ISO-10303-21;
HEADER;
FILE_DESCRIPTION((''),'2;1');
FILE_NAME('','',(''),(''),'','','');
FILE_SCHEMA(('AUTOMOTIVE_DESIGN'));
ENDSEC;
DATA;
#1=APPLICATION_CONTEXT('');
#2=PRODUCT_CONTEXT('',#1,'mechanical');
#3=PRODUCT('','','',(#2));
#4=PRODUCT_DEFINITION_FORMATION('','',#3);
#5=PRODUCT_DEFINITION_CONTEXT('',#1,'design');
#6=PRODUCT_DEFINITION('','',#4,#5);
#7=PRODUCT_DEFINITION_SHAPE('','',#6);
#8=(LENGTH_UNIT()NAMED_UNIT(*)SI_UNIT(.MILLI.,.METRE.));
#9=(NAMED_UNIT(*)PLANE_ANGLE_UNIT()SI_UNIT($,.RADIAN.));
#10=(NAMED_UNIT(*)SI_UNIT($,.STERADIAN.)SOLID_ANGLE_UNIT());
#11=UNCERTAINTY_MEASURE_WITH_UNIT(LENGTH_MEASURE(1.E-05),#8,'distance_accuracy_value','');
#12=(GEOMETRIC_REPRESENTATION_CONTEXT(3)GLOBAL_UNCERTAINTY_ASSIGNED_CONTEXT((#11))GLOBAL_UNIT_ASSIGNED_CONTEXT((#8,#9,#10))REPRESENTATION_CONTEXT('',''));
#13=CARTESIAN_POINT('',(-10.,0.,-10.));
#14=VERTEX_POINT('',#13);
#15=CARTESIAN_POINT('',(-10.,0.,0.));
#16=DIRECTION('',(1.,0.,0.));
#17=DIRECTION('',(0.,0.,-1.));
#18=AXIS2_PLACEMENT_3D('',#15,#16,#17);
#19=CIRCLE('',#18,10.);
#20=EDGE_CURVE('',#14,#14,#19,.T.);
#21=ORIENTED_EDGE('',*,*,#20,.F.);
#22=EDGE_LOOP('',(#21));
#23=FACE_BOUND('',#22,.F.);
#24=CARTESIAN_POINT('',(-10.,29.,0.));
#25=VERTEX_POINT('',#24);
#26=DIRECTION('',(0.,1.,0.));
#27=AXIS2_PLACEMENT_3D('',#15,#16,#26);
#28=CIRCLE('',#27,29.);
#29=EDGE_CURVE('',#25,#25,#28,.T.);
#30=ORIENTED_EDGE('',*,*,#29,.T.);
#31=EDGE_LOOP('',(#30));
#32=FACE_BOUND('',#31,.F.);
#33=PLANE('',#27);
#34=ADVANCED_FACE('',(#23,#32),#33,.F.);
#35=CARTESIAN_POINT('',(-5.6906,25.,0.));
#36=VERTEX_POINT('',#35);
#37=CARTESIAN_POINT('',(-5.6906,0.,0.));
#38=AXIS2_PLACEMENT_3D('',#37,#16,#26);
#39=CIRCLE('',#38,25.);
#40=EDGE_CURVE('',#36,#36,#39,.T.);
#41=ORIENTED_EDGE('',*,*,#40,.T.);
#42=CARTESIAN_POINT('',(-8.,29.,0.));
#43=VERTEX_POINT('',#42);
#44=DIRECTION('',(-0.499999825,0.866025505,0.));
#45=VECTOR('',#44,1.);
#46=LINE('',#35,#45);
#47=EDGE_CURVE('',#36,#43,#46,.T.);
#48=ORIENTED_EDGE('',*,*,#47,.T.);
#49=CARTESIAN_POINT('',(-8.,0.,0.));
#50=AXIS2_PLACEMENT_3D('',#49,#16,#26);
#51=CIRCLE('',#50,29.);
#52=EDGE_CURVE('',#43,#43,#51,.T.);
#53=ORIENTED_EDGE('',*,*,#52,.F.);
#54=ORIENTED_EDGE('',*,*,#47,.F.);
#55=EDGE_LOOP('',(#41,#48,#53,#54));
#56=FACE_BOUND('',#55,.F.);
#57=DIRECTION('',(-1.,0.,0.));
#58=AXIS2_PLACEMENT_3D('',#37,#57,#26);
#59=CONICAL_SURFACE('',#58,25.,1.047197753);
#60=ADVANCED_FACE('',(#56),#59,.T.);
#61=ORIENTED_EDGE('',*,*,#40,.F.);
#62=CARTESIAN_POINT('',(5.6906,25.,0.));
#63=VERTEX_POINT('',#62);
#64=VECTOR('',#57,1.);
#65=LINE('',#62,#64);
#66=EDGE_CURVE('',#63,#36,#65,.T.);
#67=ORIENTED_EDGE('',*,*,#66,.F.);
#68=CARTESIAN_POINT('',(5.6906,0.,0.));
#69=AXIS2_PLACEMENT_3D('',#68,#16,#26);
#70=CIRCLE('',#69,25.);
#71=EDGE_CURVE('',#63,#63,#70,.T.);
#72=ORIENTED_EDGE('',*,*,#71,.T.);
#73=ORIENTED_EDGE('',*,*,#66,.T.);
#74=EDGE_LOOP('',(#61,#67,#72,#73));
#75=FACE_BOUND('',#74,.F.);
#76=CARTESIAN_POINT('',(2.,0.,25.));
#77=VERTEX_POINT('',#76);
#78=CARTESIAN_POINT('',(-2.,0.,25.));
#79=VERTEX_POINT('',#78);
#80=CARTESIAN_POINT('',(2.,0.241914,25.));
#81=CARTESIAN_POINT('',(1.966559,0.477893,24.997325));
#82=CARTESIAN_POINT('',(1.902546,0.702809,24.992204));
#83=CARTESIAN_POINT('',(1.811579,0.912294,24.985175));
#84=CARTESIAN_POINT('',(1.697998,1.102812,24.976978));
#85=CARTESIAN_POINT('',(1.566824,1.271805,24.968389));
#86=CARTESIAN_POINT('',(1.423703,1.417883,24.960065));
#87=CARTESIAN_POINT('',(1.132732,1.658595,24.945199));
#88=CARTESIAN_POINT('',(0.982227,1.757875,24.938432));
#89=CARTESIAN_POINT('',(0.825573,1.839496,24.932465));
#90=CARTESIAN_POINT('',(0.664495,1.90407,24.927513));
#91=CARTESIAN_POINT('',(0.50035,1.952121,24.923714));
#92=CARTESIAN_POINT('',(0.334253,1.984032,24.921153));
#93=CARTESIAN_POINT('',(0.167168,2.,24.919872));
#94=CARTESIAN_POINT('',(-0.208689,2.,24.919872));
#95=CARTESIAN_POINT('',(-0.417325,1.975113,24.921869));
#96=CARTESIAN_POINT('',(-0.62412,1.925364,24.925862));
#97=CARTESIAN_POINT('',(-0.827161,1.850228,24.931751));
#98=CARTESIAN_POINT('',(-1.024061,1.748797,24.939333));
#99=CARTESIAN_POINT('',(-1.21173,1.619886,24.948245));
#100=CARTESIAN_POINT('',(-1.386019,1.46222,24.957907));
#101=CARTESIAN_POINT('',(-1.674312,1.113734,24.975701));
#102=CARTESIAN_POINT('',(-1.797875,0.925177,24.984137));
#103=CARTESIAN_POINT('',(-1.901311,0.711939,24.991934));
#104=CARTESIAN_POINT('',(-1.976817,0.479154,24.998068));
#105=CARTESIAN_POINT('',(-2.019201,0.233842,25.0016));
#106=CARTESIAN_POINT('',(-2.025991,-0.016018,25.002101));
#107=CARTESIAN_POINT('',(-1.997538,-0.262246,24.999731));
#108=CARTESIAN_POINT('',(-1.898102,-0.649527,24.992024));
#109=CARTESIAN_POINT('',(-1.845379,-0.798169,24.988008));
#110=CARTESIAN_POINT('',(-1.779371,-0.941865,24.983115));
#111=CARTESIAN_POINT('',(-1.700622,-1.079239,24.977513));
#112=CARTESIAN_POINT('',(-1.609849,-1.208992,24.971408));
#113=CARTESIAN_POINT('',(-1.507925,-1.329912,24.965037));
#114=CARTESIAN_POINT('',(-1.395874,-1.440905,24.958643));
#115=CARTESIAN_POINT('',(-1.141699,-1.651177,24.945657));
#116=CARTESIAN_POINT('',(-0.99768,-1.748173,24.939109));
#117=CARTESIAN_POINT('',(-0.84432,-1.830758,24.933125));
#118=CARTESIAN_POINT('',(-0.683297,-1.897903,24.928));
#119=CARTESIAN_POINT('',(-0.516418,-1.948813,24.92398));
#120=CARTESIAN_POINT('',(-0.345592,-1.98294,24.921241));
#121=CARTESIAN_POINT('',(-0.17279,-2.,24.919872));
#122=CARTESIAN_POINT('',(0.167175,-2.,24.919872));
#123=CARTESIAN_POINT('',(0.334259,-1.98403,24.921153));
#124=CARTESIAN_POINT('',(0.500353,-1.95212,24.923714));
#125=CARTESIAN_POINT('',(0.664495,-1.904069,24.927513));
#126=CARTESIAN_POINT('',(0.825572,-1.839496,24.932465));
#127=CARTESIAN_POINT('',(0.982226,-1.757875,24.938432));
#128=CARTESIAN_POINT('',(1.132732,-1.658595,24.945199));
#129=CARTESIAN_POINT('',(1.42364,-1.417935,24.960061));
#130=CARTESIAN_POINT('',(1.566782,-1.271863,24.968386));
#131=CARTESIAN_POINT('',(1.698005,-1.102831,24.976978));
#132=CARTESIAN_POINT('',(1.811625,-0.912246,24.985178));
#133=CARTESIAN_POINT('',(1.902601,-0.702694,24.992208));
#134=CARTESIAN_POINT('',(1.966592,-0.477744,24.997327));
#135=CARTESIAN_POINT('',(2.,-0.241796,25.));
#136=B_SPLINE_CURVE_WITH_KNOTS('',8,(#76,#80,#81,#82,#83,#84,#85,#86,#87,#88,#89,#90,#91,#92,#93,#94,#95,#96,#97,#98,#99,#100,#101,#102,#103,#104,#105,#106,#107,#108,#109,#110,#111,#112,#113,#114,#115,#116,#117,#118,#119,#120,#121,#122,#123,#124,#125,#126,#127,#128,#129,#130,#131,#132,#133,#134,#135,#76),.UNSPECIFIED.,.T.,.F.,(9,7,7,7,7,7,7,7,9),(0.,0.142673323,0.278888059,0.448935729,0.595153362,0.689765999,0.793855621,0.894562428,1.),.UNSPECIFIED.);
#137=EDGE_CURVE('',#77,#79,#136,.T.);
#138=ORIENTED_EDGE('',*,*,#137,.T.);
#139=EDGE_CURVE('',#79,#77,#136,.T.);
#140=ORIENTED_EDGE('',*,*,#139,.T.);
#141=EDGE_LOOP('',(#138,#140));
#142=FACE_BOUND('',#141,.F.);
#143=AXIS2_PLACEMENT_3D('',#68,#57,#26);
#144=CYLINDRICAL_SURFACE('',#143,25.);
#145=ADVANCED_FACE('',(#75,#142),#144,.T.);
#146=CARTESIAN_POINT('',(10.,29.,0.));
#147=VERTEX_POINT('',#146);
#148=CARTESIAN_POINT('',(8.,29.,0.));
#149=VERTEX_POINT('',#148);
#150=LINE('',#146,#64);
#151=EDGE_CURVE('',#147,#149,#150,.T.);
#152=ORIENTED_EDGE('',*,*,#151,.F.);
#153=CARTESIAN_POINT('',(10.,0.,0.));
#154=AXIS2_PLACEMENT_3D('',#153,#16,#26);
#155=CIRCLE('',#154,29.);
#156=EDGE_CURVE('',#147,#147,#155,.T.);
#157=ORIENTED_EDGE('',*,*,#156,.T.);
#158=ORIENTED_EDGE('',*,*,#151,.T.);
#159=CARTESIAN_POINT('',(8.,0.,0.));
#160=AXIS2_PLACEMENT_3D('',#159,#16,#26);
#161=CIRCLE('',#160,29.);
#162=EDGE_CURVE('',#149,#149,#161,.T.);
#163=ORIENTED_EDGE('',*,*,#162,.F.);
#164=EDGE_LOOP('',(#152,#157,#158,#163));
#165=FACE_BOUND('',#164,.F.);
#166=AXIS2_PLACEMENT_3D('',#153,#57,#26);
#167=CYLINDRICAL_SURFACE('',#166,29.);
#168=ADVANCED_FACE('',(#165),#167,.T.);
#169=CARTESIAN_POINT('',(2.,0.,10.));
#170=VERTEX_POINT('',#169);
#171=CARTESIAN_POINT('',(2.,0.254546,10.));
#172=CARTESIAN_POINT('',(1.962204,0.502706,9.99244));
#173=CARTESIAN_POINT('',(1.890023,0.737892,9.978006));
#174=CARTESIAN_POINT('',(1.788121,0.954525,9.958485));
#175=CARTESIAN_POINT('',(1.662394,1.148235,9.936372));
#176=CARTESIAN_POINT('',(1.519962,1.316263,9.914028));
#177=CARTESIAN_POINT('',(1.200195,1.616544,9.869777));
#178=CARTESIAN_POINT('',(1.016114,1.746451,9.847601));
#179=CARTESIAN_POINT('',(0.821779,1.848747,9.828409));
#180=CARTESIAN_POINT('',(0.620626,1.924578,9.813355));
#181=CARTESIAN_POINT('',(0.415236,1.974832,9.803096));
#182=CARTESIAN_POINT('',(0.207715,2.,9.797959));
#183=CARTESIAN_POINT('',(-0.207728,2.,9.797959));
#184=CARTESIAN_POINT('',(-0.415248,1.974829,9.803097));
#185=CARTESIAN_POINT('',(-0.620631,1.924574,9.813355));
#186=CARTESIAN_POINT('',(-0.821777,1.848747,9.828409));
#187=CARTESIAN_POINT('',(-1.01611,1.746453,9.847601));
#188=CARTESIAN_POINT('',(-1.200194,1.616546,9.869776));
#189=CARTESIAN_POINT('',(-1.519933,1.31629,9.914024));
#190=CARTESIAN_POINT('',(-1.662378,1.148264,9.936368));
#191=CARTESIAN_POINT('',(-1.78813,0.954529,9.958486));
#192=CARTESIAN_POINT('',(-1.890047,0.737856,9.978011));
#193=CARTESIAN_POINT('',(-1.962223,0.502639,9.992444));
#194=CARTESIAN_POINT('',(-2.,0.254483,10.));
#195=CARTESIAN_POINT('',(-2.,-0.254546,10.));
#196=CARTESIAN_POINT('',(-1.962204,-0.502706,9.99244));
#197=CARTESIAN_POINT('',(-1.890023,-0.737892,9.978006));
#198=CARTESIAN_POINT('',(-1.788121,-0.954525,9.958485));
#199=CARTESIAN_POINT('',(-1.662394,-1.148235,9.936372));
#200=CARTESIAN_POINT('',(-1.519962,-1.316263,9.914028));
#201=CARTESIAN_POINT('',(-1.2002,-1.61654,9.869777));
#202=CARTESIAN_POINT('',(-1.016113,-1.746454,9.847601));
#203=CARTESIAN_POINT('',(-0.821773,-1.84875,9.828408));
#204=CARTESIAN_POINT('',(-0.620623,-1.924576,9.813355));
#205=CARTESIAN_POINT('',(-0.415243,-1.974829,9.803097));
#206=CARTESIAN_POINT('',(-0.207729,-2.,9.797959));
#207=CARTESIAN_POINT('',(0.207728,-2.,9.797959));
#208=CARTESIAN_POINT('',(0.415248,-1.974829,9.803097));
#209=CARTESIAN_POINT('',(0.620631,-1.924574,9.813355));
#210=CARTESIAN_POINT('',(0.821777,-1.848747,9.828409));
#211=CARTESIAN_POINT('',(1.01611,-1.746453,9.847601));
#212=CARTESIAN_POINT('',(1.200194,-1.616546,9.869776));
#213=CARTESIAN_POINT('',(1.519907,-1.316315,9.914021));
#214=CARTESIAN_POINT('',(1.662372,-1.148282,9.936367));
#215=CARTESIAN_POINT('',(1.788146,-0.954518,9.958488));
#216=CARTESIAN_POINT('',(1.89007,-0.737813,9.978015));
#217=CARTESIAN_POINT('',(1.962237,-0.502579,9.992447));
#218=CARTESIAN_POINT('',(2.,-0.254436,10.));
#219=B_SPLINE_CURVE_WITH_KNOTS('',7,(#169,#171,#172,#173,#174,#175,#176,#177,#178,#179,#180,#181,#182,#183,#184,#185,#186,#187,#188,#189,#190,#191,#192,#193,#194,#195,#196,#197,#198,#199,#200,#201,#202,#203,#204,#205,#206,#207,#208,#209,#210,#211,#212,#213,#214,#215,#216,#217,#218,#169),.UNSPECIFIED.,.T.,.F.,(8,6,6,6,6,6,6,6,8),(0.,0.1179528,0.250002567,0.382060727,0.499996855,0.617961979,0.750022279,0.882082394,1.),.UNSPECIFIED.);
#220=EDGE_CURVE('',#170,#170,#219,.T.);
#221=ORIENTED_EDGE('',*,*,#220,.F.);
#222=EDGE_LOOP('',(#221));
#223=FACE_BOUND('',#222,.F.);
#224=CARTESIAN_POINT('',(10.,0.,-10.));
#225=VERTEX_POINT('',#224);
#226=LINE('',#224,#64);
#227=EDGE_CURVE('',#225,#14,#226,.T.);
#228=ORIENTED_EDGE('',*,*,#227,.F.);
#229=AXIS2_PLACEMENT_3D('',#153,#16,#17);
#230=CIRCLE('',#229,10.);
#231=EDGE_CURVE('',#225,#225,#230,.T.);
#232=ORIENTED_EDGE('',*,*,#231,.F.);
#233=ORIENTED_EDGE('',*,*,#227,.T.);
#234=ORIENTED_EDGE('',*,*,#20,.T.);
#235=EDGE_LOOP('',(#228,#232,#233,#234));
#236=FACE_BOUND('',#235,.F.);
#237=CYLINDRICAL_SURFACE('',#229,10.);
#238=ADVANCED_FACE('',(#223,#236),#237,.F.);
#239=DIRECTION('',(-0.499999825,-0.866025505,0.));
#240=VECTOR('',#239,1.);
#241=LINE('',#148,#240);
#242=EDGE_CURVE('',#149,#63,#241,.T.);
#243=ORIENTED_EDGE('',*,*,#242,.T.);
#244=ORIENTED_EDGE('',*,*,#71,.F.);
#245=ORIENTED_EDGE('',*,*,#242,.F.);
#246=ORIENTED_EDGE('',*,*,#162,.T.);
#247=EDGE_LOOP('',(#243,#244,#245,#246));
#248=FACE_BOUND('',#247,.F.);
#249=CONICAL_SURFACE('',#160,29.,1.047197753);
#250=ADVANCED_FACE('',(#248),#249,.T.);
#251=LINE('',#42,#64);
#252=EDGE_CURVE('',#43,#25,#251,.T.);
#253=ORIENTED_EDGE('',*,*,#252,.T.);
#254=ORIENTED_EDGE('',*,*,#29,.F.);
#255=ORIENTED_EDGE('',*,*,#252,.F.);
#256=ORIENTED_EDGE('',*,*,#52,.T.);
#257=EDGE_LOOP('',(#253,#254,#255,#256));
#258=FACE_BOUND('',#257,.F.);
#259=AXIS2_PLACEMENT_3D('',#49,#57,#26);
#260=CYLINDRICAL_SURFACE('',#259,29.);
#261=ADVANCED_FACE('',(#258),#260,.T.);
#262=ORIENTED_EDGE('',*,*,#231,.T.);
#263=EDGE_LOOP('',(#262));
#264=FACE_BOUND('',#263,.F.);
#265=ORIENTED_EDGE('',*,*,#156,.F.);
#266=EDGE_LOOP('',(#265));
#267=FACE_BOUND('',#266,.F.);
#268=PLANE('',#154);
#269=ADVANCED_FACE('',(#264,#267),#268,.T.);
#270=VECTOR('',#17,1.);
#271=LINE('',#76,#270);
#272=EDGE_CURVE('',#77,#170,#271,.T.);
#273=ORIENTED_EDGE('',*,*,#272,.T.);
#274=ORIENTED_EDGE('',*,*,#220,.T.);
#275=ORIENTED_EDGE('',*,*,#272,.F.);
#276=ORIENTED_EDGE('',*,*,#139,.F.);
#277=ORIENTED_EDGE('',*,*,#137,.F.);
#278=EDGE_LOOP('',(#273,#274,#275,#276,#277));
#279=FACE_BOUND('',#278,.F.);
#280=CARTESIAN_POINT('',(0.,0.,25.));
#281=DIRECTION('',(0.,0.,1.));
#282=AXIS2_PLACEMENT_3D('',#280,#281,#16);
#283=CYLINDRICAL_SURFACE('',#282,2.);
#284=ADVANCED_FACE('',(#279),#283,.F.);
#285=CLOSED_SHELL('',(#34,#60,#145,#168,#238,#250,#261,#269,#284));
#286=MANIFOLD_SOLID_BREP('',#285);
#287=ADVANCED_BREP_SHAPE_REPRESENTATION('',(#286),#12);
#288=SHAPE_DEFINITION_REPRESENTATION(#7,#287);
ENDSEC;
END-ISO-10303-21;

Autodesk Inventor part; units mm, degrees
ref_plane "YZ Plane" through (0, 0, 0) normal (1, 0, 0) x (0, 1, 0)
ref_plane "XZ Plane" through (0, 0, 0) normal (0, 1, 0) x (-1, 0, 0)
sketch "草图1" plane through (0, 0, 0) normal (0, 0, 1) x (1, 0, 0)
  line L0 (-10, 0) -> (10, 0)
  line L1 (10, 0) -> (10, 29)
  line L2 (10, 29) -> (8, 29)
  line L3 (8, 29) -> (5.6906, 25)
  line L4 (5.6906, 25) -> (-5.6906, 25)
  line L5 (-5.6906, 25) -> (-8, 29)
  line L6 (-8, 29) -> (-10, 29)
  line L7 (-10, 29) -> (-10, 0)
  line L8 (-14, 0) -> (14, 0) projected
  point P0 (0, 0)
  point P1 (0, 0)
  dimension "d1" = 29
  dimension "d2" = 4
  dimension "d4" = 20
  dimension "d5" = 2
  dimension "d6" = 120
  dimension "d7" = 120
  dimension "d8" = 2
revolve "旋转1" add sketch "草图1" angle 360 about axis through (-10, 0, 0) along (1, 0, 0)
sketch "草图2" plane through (10, 0, 0) normal (1, 0, 0) x (0, 0, -1)
  circle A0 centre (0, 0) radius 10
  dimension "d10" = 20
extrude "拉伸1" cut sketch "草图2" against normal through all
ref_plane "工作平面1" through (0, 0, 25) normal (0, 0, 1) x (1, 0, 0)
sketch "草图3" plane through (0, 0, 25) normal (0, 0, 1) x (1, 0, 0)
  circle A0 centre (0, 0) radius 2
  dimension "d13" = 4
extrude "拉伸2" cut sketch "草图3" against normal up to surface
thread "螺纹1" size "M4x0.7" class "6H" standard "ANSI Metric M Profile" full length
properties part number "砂轮电机皮带轮"
